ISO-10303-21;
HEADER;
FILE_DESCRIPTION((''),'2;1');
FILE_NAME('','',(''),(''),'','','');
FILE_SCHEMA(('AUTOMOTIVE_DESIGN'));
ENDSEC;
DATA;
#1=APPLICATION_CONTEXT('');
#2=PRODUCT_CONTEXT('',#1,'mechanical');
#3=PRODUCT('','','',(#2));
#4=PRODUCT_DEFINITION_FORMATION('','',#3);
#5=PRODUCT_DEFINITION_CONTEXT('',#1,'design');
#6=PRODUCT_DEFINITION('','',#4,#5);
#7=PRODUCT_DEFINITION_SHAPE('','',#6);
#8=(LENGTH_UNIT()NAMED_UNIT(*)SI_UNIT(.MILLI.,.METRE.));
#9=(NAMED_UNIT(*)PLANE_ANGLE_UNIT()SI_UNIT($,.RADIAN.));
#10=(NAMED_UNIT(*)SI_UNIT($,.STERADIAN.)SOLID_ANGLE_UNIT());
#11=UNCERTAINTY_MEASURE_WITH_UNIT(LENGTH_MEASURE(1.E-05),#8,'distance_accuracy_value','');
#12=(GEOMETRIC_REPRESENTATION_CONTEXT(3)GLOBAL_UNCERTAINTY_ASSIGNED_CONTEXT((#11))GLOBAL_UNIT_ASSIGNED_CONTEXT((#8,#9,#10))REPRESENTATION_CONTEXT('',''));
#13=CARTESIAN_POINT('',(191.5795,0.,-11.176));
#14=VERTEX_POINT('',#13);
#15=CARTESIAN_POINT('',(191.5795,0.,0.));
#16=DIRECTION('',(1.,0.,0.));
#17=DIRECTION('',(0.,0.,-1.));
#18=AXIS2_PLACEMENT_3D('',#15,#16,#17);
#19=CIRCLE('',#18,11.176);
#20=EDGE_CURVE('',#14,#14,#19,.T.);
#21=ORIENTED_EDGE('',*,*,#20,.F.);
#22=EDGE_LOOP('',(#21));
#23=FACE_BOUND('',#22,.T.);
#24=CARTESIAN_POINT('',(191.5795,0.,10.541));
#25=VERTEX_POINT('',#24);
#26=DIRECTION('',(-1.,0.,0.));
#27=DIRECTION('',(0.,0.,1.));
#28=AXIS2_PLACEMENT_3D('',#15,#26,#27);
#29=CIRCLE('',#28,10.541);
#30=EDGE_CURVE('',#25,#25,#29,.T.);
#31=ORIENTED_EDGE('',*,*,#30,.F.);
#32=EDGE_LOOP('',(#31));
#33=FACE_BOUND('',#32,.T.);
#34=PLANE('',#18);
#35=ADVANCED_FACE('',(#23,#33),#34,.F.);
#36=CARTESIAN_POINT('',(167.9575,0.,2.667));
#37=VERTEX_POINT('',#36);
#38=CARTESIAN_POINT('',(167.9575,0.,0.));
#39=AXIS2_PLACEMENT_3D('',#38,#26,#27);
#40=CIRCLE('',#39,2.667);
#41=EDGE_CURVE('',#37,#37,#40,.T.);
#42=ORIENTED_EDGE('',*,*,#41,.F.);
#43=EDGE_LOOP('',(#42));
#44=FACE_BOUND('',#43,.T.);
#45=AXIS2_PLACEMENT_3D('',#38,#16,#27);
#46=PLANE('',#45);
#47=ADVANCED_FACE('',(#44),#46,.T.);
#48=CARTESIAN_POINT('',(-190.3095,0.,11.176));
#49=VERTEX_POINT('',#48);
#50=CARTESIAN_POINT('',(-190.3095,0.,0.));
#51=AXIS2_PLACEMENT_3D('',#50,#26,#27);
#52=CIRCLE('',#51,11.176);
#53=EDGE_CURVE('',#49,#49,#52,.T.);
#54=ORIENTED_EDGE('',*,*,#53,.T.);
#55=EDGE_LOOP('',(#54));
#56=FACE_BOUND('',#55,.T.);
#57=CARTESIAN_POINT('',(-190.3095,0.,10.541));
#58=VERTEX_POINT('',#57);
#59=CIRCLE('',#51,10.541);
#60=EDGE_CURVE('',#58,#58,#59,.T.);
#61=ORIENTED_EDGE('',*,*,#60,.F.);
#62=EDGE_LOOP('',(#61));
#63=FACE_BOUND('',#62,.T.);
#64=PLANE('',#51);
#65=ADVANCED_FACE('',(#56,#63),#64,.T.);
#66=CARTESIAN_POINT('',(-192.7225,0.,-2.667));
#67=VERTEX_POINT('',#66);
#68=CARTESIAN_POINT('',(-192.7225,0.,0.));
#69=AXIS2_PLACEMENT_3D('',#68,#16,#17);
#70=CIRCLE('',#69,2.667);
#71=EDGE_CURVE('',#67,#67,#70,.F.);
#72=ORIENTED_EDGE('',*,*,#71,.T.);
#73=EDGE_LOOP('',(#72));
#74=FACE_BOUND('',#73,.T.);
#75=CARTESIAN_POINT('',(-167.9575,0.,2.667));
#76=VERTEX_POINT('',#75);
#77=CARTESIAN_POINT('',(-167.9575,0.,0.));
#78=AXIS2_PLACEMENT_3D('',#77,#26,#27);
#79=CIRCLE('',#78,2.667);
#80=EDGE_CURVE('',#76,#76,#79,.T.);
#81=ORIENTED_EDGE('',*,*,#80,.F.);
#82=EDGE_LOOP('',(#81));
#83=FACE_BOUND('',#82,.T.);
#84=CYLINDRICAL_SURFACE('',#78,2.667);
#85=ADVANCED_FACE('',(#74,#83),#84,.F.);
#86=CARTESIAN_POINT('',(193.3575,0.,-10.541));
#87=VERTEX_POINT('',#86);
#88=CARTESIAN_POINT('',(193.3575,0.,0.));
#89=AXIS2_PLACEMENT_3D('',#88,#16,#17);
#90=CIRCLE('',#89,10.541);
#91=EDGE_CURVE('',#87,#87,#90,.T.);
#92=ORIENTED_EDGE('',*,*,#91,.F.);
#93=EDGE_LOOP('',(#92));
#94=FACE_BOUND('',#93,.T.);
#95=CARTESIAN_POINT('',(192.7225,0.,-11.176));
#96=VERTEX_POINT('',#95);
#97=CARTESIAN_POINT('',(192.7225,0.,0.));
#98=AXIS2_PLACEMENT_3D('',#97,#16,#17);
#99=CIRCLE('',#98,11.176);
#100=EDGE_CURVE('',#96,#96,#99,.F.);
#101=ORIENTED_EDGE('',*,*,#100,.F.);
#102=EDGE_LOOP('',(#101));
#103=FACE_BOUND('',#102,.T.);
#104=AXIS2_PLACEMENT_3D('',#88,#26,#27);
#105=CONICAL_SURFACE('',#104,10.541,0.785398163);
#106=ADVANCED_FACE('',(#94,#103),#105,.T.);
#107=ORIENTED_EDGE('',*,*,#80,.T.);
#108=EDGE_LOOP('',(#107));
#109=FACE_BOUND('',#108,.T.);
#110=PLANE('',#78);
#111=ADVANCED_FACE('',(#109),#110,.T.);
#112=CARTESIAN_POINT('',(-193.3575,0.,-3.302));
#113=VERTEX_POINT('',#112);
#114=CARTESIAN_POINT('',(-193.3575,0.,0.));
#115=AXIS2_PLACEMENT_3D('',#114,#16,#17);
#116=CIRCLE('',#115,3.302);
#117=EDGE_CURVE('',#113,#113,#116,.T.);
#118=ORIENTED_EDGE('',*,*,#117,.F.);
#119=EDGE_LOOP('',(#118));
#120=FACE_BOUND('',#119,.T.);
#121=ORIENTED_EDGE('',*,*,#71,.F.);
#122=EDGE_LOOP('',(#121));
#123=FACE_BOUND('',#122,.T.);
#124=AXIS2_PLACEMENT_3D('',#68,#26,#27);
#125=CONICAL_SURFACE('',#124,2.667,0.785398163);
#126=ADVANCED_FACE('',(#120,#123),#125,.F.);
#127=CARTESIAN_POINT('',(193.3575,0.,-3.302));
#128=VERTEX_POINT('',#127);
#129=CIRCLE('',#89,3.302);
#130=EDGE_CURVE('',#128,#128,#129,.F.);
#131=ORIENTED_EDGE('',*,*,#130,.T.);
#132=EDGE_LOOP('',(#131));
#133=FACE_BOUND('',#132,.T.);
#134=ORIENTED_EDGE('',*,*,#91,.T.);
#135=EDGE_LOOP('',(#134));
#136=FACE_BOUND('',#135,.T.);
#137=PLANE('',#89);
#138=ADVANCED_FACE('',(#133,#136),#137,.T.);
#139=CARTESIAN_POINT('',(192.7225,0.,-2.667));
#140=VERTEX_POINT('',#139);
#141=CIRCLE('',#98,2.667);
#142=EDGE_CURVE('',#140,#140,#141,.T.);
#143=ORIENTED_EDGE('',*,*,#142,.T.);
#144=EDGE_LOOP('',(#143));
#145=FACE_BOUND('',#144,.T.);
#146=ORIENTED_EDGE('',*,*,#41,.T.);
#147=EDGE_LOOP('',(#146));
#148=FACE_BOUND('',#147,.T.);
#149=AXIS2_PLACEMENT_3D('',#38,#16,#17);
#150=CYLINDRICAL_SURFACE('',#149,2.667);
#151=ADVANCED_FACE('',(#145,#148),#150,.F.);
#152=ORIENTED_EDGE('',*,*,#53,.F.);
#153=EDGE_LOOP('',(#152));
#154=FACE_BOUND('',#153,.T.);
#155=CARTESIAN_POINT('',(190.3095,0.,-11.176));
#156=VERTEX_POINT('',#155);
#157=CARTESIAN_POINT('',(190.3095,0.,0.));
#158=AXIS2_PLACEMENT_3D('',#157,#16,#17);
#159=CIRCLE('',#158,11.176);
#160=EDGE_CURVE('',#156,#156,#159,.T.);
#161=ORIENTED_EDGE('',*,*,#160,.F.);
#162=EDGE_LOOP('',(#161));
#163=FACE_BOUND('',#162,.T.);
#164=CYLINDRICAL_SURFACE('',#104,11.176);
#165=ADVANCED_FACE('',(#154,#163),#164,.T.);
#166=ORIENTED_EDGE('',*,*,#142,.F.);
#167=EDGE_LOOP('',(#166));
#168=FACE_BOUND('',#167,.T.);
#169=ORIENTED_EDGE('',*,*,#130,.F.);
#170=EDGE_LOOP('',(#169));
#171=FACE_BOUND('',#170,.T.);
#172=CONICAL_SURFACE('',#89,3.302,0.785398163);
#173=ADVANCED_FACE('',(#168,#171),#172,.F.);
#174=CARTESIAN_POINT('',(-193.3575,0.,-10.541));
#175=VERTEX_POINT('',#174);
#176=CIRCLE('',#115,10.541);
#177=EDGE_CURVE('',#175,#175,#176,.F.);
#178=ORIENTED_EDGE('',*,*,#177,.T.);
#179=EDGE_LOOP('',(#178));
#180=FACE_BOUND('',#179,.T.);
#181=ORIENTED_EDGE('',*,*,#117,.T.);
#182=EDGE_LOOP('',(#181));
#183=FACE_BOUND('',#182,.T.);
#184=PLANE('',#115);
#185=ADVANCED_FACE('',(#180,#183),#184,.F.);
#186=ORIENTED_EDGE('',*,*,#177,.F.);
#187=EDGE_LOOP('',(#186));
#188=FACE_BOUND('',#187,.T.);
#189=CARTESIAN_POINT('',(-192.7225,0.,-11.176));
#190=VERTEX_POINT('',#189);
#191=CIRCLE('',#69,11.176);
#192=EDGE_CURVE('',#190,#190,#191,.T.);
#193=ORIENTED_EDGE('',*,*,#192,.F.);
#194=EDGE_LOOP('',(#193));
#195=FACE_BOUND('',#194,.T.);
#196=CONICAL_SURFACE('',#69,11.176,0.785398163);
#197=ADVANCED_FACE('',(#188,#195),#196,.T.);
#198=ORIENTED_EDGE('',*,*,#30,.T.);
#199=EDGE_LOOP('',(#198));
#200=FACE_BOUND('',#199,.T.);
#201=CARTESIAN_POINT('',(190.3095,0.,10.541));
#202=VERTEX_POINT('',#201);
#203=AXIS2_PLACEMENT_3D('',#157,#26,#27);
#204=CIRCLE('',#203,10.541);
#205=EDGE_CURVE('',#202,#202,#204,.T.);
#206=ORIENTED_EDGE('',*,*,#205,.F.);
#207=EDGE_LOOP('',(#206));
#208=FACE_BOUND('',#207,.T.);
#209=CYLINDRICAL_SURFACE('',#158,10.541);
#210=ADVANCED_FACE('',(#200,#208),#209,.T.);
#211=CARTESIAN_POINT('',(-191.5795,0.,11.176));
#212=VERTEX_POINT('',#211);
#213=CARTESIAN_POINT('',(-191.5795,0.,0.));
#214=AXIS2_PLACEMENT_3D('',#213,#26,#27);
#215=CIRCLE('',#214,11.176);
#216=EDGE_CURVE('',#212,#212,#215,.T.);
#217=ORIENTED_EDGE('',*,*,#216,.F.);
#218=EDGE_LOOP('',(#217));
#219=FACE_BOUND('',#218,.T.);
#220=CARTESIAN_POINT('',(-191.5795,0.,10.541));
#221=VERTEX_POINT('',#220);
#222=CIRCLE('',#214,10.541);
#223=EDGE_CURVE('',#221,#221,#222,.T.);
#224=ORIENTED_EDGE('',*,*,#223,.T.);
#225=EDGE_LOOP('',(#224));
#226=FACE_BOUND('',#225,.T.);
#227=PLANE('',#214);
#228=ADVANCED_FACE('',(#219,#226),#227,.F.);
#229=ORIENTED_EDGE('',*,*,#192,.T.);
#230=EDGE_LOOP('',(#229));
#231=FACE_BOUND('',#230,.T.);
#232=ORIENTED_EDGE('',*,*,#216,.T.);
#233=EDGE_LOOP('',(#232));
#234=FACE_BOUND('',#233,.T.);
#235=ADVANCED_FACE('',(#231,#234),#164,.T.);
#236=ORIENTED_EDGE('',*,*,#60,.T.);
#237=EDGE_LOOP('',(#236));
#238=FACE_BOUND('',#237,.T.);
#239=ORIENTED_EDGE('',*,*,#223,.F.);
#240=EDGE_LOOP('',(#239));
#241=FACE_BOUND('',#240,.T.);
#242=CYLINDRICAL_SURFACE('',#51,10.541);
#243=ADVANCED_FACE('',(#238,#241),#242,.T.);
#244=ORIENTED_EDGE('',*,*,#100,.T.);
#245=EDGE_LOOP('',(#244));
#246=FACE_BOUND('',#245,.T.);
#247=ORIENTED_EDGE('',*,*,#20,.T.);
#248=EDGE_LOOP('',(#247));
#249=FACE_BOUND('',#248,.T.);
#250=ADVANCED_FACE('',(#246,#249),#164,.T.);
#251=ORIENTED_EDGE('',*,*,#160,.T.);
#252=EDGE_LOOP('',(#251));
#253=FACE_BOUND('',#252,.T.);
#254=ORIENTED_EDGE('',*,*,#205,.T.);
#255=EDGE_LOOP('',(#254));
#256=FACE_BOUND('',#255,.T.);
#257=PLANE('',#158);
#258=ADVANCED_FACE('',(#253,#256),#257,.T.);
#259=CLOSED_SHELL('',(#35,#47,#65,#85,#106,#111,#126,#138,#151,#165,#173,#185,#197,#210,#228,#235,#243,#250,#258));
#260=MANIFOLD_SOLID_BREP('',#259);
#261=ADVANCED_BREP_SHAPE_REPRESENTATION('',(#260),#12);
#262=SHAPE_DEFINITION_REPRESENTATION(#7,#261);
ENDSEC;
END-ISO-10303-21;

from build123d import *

# Parameters (mm, degrees)
SKETCH1_R           = 11.176
BOSS_EXTRUDE1_DEPTH = 193.3575
CUT_EXTRUDE1_START  = -1.778
SKETCH2_OUTSIDE_W   = 101.952
SKETCH2_OUTSIDE_H   = 101.952
SKETCH2_OUTSIDE_R   = 10.541
CUT_EXTRUDE1_DEPTH  = 1.27
SKETCH3_R           = 2.667
CUT_EXTRUDE2_DEPTH  = 25.4
CHAMFER1_SIZE       = 0.635


with BuildPart() as part:
    # Sketch1 → Boss-Extrude1 (new, symmetric)
    with BuildSketch(Plane(origin=(0, 0, 0), x_dir=(0, 0, -1), z_dir=(1, 0, 0))):
        Circle(SKETCH1_R)
    extrude(amount=BOSS_EXTRUDE1_DEPTH, both=True)

    # Sketch2 outside → Cut-Extrude1 (cut)
    with BuildSketch(Plane.ZY.offset(193.3575).offset(CUT_EXTRUDE1_START)):
        Rectangle(SKETCH2_OUTSIDE_W, SKETCH2_OUTSIDE_H)
        Circle(SKETCH2_OUTSIDE_R, mode=Mode.SUBTRACT)
    cut_extrude1 = extrude(amount=-CUT_EXTRUDE1_DEPTH, mode=Mode.SUBTRACT)

    # Sketch3 → Cut-Extrude2 (cut)
    with BuildSketch(Plane.ZY.offset(193.3575)):
        Circle(SKETCH3_R)
    cut_extrude2 = extrude(amount=-CUT_EXTRUDE2_DEPTH, mode=Mode.SUBTRACT)

    # Mirror1: Cut-Extrude1, Cut-Extrude2 across plane
    add(cut_extrude1.mirror(Plane(origin=(0, 0, 0), x_dir=(0, 0, 1), z_dir=(1, 0, 0))), mode=Mode.SUBTRACT)
    add(cut_extrude2.mirror(Plane(origin=(0, 0, 0), x_dir=(0, 0, 1), z_dir=(1, 0, 0))), mode=Mode.SUBTRACT)

    # Chamfer1
    chamfer1_edges = [part.edges().sort_by_distance(p)[0] for p in [
        (-193.3575, 0, 11.176),
        (-193.3575, 0, -2.667),
        (193.3575, 0, 11.176),
        (193.3575, 0, -2.667),
    ]]
    chamfer(chamfer1_edges, length=CHAMFER1_SIZE)


solid = part.part
